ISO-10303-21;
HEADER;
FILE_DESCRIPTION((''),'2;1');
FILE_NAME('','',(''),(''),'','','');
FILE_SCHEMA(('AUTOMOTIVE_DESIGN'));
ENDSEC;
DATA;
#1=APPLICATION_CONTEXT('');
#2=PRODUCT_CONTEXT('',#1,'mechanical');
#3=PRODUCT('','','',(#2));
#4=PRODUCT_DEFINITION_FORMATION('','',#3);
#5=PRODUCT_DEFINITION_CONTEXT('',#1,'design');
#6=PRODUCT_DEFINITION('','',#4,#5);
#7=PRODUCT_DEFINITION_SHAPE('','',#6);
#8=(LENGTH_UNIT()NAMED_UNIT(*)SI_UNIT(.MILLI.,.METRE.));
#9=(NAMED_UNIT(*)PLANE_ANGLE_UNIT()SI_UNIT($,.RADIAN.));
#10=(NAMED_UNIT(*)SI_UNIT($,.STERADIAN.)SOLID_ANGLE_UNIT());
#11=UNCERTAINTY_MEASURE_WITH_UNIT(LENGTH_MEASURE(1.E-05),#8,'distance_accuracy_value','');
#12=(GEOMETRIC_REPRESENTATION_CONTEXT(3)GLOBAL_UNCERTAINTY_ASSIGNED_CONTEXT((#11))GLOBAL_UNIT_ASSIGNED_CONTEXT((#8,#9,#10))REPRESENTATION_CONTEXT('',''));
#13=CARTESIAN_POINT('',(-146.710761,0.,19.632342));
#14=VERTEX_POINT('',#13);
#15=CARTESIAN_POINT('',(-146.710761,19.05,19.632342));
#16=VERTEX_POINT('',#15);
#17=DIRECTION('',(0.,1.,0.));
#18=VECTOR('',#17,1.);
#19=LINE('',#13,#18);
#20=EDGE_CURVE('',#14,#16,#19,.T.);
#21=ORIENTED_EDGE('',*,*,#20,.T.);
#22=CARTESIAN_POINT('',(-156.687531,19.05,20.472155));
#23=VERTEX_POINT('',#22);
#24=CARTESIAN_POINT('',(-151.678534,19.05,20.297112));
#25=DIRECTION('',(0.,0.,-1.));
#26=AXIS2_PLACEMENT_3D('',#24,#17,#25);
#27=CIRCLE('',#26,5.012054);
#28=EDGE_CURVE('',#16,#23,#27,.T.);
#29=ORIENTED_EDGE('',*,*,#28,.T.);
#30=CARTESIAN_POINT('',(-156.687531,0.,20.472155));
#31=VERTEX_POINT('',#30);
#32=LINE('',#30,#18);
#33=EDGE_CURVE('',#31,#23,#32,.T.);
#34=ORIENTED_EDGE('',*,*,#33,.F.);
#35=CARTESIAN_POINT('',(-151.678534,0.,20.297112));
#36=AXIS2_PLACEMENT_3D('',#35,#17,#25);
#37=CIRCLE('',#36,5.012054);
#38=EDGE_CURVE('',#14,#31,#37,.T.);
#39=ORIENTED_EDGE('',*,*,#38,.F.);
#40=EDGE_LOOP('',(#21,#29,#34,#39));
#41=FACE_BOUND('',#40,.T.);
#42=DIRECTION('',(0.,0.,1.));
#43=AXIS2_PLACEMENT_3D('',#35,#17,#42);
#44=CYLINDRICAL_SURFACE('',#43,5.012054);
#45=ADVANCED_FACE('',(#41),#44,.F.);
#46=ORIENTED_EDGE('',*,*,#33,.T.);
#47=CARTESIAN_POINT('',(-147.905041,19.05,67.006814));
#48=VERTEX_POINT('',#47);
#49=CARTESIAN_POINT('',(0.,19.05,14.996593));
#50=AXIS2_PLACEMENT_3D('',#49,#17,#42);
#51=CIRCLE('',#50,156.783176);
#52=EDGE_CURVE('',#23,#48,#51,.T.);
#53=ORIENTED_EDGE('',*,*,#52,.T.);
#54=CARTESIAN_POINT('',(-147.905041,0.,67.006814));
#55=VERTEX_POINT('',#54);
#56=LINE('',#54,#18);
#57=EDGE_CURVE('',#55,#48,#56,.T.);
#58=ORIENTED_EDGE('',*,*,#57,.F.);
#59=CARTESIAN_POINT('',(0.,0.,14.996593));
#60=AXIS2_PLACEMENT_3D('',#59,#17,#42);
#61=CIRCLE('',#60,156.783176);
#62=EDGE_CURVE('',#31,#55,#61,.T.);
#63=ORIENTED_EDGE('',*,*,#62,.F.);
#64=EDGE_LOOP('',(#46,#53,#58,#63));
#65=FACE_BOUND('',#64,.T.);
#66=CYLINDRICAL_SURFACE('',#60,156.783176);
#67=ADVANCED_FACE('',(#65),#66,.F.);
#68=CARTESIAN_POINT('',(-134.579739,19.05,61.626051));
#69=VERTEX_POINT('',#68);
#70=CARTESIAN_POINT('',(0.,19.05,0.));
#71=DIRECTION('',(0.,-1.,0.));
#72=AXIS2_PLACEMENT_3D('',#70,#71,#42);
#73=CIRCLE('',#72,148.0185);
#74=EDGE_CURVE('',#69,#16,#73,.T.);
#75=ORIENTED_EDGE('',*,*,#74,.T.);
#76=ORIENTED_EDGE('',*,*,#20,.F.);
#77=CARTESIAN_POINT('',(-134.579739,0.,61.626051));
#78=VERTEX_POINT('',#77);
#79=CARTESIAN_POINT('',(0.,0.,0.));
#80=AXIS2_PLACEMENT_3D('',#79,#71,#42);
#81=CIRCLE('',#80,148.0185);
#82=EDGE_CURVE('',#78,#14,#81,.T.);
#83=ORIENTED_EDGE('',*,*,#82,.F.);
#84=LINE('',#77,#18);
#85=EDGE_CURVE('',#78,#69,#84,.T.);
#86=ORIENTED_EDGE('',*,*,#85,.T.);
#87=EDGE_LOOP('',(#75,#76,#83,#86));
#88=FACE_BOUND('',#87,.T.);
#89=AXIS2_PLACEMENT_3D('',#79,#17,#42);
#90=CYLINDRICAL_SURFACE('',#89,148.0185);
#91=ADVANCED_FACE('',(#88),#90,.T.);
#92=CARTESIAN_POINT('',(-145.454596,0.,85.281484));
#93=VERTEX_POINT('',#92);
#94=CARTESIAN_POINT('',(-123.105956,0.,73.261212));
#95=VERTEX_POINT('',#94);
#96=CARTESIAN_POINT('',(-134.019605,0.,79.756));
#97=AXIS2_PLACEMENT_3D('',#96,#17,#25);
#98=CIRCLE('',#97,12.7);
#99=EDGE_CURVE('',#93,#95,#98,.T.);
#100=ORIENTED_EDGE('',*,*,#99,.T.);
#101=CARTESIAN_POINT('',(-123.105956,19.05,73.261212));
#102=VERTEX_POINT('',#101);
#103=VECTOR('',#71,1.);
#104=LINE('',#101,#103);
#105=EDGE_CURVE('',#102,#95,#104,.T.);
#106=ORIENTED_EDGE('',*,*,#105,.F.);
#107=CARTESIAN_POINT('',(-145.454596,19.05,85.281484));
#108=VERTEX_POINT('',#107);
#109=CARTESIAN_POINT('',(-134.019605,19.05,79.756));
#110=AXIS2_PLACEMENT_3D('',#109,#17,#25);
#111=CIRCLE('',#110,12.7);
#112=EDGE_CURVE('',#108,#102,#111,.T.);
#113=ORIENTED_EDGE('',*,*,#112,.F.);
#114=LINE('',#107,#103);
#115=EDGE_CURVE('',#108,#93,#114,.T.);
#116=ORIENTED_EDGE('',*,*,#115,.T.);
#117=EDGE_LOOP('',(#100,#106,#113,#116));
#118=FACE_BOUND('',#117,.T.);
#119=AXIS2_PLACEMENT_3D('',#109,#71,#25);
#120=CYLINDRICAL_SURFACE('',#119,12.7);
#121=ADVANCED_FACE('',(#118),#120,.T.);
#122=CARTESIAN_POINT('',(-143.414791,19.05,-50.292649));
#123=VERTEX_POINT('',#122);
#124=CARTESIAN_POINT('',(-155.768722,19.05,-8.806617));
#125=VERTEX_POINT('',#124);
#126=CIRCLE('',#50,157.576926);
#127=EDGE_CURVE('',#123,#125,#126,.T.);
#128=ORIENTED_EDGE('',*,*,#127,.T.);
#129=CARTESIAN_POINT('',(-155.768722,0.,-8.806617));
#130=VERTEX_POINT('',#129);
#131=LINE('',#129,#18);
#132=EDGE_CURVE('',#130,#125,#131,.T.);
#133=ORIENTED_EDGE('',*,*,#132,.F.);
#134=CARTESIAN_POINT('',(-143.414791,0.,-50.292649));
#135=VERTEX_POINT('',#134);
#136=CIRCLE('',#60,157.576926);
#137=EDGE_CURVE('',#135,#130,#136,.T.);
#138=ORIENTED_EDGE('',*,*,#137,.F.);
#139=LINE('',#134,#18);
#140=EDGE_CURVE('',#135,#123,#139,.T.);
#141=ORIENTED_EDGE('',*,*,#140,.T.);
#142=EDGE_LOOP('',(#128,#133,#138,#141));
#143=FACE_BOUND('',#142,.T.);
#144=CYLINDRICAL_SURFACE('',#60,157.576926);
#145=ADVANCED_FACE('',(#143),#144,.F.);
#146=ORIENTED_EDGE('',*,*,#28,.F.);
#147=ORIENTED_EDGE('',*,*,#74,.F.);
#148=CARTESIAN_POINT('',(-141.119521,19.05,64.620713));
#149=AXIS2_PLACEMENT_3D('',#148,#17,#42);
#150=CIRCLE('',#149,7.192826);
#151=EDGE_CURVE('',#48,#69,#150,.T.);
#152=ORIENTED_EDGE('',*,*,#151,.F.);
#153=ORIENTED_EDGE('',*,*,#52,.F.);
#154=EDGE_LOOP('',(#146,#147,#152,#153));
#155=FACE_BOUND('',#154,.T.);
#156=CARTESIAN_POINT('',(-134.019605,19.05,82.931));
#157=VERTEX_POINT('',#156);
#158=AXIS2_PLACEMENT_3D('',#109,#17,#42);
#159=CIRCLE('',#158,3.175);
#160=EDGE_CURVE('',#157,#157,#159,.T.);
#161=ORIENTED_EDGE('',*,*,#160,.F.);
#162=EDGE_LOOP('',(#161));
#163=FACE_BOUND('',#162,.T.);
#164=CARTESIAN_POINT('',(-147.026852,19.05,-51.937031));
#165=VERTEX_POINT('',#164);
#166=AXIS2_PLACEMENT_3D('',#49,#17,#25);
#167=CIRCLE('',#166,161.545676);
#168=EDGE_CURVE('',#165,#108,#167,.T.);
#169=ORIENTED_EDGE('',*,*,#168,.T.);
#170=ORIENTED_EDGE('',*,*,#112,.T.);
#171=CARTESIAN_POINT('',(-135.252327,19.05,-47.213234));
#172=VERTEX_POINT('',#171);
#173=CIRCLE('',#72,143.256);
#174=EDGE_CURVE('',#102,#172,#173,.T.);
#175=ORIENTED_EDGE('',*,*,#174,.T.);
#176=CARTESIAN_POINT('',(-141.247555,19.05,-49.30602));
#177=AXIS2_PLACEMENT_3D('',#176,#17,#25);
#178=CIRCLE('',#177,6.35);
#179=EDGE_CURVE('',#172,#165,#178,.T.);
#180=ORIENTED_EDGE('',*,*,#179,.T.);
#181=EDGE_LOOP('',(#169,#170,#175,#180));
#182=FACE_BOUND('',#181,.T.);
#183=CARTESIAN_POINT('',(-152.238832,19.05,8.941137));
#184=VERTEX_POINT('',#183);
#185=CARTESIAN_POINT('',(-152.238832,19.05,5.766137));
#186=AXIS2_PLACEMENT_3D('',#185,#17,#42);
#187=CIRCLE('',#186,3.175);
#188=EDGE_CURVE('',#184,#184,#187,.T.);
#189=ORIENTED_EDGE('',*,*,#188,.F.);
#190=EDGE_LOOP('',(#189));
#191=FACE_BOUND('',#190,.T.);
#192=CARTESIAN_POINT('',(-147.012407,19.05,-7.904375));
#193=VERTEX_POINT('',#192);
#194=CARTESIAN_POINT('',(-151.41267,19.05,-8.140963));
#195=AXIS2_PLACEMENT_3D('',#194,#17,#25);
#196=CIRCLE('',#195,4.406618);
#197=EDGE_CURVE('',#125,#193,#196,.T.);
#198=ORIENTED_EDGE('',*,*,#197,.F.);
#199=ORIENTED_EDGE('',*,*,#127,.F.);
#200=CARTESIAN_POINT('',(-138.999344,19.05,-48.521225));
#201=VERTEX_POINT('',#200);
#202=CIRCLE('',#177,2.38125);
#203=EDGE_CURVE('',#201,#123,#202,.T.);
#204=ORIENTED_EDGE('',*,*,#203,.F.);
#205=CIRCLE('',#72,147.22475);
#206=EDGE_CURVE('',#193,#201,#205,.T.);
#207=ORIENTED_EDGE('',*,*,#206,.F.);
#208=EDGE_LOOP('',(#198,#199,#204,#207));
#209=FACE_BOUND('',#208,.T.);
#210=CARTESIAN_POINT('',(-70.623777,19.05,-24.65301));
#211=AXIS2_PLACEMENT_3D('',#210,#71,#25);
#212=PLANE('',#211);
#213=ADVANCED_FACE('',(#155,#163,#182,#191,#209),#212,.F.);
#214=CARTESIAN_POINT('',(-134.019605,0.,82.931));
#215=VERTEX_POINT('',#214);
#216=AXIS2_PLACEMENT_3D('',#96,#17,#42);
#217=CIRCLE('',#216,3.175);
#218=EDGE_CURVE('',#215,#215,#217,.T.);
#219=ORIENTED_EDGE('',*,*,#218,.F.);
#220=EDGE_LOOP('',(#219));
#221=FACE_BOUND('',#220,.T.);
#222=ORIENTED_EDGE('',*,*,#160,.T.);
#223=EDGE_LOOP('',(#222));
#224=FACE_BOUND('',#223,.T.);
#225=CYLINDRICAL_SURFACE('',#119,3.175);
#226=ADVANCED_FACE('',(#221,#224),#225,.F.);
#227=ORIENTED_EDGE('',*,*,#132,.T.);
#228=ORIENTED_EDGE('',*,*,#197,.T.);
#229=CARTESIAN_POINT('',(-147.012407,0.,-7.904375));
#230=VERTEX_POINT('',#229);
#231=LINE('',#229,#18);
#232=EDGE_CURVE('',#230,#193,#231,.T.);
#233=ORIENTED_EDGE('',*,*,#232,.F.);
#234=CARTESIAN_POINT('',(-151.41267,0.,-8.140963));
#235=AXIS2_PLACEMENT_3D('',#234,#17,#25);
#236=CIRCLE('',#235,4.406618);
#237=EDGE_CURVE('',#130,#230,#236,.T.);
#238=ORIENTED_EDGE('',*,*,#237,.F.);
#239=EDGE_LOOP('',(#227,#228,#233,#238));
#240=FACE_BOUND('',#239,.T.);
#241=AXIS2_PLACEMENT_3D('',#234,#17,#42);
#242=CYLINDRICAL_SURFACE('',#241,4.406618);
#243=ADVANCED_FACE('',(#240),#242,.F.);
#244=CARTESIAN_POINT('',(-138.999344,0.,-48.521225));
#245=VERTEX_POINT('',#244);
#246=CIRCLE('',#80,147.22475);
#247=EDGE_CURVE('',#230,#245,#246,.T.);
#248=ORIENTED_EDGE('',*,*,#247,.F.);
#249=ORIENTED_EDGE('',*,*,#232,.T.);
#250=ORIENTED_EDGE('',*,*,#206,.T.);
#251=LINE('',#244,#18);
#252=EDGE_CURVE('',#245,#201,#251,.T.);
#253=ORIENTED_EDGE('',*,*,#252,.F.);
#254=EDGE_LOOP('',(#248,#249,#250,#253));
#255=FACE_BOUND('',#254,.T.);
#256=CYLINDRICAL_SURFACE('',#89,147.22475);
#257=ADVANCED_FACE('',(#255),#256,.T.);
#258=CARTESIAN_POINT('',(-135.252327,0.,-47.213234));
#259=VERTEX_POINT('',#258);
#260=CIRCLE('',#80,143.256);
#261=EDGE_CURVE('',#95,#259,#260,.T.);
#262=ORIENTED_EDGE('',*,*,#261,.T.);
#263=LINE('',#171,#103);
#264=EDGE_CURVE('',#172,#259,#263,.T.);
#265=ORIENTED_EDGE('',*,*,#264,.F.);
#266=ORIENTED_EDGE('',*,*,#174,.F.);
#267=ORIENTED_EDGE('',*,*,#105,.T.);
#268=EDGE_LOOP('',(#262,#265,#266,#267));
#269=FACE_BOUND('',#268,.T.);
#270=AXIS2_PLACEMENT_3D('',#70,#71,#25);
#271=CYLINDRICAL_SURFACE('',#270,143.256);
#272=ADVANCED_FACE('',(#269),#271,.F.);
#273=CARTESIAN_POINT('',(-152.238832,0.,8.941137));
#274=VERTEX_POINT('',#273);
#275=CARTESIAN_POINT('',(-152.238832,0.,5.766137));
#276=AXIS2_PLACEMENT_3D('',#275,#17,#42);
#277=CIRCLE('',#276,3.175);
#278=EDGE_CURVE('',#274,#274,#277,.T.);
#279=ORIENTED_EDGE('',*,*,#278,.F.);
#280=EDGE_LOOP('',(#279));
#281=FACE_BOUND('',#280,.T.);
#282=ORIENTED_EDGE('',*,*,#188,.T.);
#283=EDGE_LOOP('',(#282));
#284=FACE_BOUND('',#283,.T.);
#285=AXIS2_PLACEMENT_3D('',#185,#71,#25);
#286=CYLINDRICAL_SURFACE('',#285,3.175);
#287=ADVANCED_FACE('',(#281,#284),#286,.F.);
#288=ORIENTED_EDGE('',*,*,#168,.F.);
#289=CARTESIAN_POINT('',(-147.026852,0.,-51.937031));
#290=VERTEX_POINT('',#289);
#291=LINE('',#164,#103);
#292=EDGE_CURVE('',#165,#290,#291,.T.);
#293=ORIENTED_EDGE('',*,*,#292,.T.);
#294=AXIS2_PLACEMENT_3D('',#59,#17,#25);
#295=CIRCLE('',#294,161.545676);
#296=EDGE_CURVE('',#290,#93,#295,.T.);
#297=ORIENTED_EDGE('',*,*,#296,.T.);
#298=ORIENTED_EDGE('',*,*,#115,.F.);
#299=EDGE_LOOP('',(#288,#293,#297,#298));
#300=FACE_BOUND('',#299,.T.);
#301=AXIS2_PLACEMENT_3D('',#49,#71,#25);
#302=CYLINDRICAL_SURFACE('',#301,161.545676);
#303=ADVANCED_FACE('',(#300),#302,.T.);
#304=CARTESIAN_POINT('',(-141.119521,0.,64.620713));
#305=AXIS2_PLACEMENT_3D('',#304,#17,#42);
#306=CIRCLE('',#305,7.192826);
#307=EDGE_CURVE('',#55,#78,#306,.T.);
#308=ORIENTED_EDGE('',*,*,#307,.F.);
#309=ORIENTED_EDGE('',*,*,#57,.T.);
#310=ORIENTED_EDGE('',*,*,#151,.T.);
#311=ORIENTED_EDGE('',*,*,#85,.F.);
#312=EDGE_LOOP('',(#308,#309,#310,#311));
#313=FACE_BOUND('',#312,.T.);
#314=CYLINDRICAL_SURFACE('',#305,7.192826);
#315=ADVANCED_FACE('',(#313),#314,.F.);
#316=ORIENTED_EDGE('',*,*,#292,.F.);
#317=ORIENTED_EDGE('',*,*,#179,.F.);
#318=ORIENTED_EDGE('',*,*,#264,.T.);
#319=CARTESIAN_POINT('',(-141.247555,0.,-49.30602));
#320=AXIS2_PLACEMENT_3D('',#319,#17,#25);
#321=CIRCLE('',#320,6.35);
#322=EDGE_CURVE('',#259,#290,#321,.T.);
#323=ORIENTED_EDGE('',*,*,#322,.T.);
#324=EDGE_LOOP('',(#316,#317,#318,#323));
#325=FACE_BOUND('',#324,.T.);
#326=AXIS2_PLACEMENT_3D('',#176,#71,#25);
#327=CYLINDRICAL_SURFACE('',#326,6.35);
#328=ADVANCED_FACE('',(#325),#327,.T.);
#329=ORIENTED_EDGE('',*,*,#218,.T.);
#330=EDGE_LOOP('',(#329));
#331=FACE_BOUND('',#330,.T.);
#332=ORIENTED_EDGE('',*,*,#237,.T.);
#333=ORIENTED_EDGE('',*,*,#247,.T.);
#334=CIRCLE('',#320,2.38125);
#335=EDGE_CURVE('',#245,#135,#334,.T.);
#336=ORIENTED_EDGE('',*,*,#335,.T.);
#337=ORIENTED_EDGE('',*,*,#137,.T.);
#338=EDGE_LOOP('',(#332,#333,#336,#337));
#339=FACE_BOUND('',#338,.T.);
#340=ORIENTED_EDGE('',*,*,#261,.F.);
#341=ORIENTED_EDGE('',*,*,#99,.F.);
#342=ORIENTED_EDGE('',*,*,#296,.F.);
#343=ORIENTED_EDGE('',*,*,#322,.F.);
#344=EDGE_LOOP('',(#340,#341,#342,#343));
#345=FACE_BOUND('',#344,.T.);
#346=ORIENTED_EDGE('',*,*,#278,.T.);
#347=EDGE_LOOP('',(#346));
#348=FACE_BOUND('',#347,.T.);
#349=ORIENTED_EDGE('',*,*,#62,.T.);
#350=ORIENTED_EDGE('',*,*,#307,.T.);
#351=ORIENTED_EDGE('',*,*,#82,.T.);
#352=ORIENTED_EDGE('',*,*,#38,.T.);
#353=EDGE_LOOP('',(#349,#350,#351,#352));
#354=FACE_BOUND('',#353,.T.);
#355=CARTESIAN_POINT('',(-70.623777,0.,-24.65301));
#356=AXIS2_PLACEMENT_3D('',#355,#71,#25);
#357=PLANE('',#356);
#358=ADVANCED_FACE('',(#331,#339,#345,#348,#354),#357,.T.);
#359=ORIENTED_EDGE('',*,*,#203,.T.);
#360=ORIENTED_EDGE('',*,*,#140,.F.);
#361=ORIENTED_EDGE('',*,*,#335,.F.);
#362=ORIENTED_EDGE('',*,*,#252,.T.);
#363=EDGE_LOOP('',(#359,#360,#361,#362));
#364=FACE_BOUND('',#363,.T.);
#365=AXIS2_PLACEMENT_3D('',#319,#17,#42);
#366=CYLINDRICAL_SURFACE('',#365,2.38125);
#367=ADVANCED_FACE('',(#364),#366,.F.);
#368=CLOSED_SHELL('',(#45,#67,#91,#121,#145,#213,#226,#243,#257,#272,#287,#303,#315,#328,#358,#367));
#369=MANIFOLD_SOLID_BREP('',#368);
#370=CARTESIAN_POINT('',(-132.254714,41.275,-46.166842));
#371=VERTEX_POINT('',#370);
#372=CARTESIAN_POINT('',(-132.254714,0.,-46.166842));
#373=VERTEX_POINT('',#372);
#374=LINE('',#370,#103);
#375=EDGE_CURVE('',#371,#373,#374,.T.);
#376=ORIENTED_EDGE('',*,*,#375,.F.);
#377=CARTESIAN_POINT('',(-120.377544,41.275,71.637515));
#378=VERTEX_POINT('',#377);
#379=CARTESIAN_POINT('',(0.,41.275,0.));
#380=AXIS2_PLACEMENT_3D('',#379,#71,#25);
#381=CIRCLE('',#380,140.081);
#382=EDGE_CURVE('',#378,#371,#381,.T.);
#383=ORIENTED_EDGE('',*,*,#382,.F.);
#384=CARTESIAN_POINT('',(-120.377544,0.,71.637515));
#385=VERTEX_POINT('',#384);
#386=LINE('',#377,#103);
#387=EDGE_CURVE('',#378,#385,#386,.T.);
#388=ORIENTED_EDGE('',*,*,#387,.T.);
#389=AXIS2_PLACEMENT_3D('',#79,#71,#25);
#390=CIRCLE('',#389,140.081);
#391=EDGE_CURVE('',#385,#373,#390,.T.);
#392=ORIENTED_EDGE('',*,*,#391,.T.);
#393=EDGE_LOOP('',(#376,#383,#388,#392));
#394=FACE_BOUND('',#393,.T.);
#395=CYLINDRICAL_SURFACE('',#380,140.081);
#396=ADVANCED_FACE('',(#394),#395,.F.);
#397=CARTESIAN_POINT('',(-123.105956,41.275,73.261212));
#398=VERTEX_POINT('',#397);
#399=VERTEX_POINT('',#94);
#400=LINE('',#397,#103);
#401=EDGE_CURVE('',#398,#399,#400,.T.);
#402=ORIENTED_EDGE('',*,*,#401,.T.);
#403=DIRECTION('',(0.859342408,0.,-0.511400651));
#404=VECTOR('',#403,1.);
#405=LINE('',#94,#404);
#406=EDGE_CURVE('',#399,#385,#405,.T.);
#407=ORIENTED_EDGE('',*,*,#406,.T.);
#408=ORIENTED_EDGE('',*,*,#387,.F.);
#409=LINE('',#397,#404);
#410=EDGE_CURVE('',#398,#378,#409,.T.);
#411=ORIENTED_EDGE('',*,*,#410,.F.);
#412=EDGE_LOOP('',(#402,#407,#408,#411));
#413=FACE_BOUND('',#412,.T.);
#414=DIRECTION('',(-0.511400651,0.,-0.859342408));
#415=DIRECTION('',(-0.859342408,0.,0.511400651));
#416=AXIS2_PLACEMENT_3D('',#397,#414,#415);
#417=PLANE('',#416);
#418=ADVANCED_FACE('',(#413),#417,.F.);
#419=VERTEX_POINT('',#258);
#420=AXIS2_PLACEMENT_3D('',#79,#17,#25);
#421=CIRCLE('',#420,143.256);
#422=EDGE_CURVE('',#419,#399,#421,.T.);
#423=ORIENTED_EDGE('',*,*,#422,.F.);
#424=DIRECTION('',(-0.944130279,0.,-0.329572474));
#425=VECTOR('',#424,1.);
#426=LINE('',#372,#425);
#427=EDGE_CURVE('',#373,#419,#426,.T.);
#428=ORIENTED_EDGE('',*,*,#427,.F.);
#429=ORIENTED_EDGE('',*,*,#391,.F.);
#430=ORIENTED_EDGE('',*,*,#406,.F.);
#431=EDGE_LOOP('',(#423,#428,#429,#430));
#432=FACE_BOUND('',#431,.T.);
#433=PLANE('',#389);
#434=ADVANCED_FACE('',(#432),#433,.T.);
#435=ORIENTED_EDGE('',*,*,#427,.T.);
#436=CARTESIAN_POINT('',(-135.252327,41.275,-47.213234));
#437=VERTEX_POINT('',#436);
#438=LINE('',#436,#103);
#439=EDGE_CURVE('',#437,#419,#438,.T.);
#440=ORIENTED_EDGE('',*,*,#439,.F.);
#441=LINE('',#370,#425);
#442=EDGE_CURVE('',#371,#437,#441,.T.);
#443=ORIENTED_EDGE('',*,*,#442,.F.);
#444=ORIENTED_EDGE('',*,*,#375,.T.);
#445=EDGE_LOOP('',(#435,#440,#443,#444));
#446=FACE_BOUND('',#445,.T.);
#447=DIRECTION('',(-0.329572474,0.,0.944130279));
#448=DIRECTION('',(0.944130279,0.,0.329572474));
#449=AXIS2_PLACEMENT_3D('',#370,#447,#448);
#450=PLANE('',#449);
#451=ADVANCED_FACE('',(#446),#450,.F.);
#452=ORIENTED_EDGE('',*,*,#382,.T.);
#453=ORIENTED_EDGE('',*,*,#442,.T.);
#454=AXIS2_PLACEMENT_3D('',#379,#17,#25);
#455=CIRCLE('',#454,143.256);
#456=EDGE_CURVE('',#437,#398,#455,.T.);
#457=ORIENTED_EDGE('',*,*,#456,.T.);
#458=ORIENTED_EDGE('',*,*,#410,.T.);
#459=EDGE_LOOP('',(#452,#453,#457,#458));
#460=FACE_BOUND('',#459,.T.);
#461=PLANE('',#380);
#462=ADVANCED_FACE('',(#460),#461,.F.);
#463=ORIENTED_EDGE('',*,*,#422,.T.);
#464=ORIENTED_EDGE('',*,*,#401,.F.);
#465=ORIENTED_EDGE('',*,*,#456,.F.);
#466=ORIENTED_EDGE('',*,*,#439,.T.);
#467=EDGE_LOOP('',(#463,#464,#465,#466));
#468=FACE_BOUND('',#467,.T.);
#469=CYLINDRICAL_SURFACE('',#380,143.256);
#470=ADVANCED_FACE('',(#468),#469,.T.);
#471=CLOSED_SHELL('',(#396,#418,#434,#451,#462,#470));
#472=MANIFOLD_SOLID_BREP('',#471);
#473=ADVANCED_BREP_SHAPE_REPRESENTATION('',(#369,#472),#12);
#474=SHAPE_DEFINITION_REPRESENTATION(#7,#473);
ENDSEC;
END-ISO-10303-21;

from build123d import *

# Parameters (mm, degrees)
SKETCH1_R           = 3.175
BOSS_EXTRUDE1_DEPTH = 19.05
CUT_EXTRUDE1_DEPTH  = 20.05
CUT_EXTRUDE2_DEPTH  = 20.05
BOSS_EXTRUDE2_DEPTH = 41.275


with BuildPart() as part:
    # Sketch1 → Boss-Extrude1 (new body)
    with BuildSketch(Plane(origin=(0, 0, 0), x_dir=(1, 0, 0), z_dir=(0, 1, 0))):
        with BuildLine():
            ThreePointArc((-135.252327308, 47.213234308), (-142.533412468, -14.370381558), (-123.105955958, -73.261211726))
            ThreePointArc((-123.105955958, -73.261211726), (-128.003817931, -90.940825055), (-145.454595651, -85.28148443))
            ThreePointArc((-145.454595651, -85.28148443), (-161.535072193, -16.847470136), (-147.026852029, 51.937030923))
            ThreePointArc((-147.026852029, 51.937030923), (-138.883189966, 55.199429393), (-135.252327308, 47.213234308))
        make_face()
        with Locations((-134.019604536, -79.756)):
            Circle(SKETCH1_R, mode=Mode.SUBTRACT)
        with Locations((-152.238831544, -5.766137402)):
            Circle(SKETCH1_R, mode=Mode.SUBTRACT)
    extrude(amount=BOSS_EXTRUDE1_DEPTH)

    # Sketch2 → Cut-Extrude1 (cut, through all)
    with BuildSketch(Plane(origin=(0, 19.05, 0), x_dir=(1, 0, 0), z_dir=(0, 1, 0))):
        with BuildLine():
            ThreePointArc((-143.414791125, 50.292648794), (-140.360917851, 51.51604822), (-138.999344354, 48.521225064))
            ThreePointArc((-138.999344354, 48.521225064), (-144.440688949, 28.495866167), (-147.012407175, 7.904375319))
            ThreePointArc((-147.012407175, 7.904375319), (-151.864331626, 3.75755277), (-155.768721686, 8.806616683))
            ThreePointArc((-155.768721686, 8.806616683), (-151.023065455, 29.975855535), (-143.414791125, 50.292648794))
        make_face()
    extrude(amount=-CUT_EXTRUDE1_DEPTH, mode=Mode.SUBTRACT)

    # Sketch4 → Cut-Extrude2 (cut, through all)
    with BuildSketch(Plane(origin=(0, 19.05, 0), x_dir=(1, 0, 0), z_dir=(0, 1, 0))):
        with BuildLine():
            ThreePointArc((-146.71076139, -19.632341547), (-142.203918186, -41.079459526), (-134.579739329, -61.626050533))
            ThreePointArc((-134.579739329, -61.626050533), (-138.426335153, -71.290308551), (-147.905040723, -67.006814278))
            ThreePointArc((-147.905040723, -67.006814278), (-154.06338729, -44.072990018), (-156.68753097, -20.472155339))
            ThreePointArc((-156.68753097, -20.472155339), (-152.098946776, -15.302721276), (-146.71076139, -19.632341547))
        make_face()
    extrude(amount=-CUT_EXTRUDE2_DEPTH, mode=Mode.SUBTRACT)


with BuildPart() as body_2:
    # Sketch3 → Boss-Extrude2 (new body)
    with BuildSketch(Plane(origin=(0, 0, 0), x_dir=(1, 0, 0), z_dir=(0, 1, 0))):
        with BuildLine():
            Line((-123.105955958, -73.261211726), (-120.377543814, -71.637514658))
            ThreePointArc((-120.377543814, -71.637514658), (-139.374427263, -14.051889059), (-132.254713671, 46.166841704))
            Line((-132.254713671, 46.166841704), (-135.252327308, 47.213234308))
            ThreePointArc((-135.252327308, 47.213234308), (-142.533412468, -14.370381558), (-123.105955958, -73.261211726))
        make_face()
    extrude(amount=BOSS_EXTRUDE2_DEPTH)


solid = Compound([part.part, body_2.part])
